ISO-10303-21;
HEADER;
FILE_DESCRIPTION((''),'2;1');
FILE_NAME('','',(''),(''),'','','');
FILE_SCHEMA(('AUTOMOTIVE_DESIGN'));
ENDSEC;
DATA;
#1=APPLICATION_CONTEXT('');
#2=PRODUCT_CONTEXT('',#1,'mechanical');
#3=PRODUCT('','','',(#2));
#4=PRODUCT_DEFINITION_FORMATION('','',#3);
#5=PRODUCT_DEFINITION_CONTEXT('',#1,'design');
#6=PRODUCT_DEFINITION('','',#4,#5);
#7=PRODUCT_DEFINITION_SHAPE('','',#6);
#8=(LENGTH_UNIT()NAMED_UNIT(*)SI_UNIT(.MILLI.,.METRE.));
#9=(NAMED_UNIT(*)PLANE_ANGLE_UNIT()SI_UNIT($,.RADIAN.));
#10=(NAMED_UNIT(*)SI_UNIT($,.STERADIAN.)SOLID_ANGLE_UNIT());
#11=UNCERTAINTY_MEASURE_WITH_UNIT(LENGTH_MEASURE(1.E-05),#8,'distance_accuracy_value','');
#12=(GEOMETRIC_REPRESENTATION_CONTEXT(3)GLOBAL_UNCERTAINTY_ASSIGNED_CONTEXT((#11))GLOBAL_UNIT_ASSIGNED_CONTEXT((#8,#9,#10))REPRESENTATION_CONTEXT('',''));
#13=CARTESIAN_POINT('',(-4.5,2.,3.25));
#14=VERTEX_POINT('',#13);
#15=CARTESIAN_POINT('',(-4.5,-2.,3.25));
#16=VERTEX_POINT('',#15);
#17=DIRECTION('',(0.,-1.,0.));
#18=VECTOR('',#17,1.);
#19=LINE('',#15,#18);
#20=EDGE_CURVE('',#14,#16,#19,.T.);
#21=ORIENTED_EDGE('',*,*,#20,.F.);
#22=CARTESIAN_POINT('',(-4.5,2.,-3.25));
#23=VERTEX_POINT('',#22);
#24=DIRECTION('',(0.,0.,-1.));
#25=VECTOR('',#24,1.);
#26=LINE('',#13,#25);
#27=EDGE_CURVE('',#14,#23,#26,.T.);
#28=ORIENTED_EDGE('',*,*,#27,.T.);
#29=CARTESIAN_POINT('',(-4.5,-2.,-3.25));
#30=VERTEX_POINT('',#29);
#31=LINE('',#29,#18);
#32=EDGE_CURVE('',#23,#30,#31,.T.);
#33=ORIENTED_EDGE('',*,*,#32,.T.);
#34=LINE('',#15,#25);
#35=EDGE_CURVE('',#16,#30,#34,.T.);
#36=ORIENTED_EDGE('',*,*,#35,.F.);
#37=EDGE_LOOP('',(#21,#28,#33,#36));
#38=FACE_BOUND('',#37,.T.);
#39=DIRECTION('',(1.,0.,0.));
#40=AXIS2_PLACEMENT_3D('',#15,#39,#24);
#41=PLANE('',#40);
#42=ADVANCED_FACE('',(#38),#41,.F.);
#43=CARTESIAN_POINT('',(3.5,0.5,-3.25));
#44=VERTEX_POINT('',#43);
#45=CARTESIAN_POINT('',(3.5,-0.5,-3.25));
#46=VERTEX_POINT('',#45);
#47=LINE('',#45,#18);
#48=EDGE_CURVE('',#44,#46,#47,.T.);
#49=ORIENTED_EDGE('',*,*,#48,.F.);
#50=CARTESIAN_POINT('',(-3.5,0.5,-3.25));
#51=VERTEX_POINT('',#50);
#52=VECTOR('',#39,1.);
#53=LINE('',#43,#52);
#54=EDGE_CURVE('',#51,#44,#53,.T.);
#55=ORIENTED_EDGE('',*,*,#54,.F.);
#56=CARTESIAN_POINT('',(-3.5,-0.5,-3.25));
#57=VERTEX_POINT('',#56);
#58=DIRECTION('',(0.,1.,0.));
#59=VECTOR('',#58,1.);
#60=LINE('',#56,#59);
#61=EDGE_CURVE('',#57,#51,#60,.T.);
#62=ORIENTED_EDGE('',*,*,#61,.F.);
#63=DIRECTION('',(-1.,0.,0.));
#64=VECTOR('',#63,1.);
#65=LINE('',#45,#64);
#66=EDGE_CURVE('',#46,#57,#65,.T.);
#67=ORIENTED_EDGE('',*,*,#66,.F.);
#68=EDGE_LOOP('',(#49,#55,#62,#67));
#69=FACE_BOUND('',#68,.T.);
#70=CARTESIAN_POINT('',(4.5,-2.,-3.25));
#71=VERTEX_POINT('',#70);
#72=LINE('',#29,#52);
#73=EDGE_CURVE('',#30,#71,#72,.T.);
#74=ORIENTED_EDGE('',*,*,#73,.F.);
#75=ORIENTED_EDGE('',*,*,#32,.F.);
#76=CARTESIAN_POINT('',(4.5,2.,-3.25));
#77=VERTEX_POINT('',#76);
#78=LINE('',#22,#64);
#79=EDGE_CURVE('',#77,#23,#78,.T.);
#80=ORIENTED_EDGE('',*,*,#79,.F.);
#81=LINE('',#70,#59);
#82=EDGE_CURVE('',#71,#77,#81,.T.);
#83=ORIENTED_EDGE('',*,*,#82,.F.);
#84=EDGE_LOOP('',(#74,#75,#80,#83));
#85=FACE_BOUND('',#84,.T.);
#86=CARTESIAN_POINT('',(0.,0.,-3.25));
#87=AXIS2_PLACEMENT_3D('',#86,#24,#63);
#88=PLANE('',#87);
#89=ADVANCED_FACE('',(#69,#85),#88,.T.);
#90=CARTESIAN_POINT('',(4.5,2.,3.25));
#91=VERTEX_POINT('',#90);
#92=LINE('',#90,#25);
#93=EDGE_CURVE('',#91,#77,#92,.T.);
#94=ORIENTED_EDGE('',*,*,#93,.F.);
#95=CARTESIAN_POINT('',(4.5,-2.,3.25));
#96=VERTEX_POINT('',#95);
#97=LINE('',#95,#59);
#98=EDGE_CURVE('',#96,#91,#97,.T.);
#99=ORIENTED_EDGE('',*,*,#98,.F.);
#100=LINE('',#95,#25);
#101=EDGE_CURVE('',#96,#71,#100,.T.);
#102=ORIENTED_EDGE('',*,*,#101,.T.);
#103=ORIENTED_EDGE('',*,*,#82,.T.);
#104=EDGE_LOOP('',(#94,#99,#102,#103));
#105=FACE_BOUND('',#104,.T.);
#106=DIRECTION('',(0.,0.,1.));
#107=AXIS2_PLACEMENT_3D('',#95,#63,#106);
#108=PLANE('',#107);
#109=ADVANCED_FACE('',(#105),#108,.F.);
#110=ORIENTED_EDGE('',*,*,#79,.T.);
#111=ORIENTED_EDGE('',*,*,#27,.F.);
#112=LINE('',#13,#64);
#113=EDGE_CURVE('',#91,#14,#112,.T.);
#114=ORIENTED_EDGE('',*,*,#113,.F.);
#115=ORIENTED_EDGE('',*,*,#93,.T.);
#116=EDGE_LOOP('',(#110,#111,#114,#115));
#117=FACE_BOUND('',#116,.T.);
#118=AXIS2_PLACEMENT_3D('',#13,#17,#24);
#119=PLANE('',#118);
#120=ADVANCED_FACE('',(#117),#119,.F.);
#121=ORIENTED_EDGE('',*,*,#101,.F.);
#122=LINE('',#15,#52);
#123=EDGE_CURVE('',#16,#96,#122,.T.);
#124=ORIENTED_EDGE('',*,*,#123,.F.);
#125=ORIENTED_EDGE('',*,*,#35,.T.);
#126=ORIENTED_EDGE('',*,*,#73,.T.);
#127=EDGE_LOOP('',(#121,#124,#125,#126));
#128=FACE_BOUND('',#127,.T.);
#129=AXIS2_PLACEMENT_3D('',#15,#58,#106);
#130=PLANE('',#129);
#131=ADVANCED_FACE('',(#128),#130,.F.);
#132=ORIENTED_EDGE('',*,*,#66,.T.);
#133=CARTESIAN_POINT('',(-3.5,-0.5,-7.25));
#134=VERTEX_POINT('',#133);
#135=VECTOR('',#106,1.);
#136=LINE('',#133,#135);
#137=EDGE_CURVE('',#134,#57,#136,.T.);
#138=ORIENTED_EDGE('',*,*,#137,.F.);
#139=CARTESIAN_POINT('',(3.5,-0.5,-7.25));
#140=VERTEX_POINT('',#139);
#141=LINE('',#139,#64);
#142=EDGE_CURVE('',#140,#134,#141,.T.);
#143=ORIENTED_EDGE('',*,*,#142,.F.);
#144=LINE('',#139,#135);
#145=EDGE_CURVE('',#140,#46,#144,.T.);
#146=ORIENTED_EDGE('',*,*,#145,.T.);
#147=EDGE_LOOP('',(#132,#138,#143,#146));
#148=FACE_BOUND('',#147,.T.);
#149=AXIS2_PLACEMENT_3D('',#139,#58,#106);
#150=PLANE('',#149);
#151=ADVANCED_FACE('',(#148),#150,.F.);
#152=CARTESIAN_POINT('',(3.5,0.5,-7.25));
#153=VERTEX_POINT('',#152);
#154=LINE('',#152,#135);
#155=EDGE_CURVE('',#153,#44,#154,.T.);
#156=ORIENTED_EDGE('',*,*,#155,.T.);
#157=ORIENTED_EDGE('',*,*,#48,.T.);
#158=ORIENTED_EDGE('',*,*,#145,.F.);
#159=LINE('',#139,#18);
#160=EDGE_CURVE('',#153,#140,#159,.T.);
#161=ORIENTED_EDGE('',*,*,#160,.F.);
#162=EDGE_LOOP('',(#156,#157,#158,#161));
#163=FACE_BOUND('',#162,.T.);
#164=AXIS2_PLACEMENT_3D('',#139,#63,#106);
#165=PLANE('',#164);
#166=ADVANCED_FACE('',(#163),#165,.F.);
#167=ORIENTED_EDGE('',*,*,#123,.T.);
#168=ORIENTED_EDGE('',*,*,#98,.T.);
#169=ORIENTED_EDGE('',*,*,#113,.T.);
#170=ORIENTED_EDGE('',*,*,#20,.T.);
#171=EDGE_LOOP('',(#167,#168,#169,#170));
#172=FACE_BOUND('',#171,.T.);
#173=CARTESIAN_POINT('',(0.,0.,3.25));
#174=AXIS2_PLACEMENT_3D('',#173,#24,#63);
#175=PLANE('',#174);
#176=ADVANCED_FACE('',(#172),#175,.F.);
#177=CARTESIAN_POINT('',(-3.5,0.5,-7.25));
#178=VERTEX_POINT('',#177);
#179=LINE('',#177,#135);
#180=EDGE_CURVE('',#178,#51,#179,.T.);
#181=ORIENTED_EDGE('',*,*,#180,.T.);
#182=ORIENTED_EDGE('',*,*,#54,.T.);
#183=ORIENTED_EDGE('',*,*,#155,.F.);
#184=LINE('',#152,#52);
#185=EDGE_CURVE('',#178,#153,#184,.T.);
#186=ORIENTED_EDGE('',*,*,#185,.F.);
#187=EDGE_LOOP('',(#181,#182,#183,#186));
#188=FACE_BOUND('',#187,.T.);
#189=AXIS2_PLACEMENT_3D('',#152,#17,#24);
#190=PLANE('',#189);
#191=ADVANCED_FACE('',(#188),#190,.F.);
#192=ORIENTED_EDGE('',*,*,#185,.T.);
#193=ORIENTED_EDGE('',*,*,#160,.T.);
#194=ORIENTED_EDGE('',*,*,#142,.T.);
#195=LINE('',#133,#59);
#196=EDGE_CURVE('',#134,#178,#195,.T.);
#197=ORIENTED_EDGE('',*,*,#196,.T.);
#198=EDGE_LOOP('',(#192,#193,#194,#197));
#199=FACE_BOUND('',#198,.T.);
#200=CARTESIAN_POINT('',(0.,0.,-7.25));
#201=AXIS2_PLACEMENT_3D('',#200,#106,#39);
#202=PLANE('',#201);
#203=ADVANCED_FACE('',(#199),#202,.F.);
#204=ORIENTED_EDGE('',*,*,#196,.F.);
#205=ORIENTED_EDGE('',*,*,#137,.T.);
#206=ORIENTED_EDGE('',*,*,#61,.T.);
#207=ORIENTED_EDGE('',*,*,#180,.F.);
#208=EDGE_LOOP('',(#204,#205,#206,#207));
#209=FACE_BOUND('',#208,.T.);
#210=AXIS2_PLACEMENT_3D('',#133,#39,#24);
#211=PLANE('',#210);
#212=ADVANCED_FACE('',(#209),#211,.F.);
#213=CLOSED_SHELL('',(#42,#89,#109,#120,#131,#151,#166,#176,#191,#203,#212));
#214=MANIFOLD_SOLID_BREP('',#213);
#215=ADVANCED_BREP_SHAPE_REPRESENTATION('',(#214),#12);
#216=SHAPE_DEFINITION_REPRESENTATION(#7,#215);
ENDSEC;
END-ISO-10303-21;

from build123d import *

# Parameters (mm, degrees)
SKETCH1_W           = 9
SKETCH1_H           = 4
BOSS_EXTRUDE1_DEPTH = 3.25
SKETCH2_W           = 7
SKETCH2_H           = 1
BOSS_EXTRUDE2_DEPTH = 4


with BuildPart() as part:
    # Sketch1 → Boss-Extrude1 (new, symmetric)
    with BuildSketch(Plane.XY):
        Rectangle(SKETCH1_W, SKETCH1_H)
    extrude(amount=BOSS_EXTRUDE1_DEPTH, both=True)

    # Sketch2 → Boss-Extrude2 (add)
    with BuildSketch(Plane(origin=(0, 0, -3.25), x_dir=(-1, 0, 0), z_dir=(0, 0, -1))):
        Rectangle(SKETCH2_W, SKETCH2_H)
    extrude(amount=BOSS_EXTRUDE2_DEPTH)


solid = part.part
